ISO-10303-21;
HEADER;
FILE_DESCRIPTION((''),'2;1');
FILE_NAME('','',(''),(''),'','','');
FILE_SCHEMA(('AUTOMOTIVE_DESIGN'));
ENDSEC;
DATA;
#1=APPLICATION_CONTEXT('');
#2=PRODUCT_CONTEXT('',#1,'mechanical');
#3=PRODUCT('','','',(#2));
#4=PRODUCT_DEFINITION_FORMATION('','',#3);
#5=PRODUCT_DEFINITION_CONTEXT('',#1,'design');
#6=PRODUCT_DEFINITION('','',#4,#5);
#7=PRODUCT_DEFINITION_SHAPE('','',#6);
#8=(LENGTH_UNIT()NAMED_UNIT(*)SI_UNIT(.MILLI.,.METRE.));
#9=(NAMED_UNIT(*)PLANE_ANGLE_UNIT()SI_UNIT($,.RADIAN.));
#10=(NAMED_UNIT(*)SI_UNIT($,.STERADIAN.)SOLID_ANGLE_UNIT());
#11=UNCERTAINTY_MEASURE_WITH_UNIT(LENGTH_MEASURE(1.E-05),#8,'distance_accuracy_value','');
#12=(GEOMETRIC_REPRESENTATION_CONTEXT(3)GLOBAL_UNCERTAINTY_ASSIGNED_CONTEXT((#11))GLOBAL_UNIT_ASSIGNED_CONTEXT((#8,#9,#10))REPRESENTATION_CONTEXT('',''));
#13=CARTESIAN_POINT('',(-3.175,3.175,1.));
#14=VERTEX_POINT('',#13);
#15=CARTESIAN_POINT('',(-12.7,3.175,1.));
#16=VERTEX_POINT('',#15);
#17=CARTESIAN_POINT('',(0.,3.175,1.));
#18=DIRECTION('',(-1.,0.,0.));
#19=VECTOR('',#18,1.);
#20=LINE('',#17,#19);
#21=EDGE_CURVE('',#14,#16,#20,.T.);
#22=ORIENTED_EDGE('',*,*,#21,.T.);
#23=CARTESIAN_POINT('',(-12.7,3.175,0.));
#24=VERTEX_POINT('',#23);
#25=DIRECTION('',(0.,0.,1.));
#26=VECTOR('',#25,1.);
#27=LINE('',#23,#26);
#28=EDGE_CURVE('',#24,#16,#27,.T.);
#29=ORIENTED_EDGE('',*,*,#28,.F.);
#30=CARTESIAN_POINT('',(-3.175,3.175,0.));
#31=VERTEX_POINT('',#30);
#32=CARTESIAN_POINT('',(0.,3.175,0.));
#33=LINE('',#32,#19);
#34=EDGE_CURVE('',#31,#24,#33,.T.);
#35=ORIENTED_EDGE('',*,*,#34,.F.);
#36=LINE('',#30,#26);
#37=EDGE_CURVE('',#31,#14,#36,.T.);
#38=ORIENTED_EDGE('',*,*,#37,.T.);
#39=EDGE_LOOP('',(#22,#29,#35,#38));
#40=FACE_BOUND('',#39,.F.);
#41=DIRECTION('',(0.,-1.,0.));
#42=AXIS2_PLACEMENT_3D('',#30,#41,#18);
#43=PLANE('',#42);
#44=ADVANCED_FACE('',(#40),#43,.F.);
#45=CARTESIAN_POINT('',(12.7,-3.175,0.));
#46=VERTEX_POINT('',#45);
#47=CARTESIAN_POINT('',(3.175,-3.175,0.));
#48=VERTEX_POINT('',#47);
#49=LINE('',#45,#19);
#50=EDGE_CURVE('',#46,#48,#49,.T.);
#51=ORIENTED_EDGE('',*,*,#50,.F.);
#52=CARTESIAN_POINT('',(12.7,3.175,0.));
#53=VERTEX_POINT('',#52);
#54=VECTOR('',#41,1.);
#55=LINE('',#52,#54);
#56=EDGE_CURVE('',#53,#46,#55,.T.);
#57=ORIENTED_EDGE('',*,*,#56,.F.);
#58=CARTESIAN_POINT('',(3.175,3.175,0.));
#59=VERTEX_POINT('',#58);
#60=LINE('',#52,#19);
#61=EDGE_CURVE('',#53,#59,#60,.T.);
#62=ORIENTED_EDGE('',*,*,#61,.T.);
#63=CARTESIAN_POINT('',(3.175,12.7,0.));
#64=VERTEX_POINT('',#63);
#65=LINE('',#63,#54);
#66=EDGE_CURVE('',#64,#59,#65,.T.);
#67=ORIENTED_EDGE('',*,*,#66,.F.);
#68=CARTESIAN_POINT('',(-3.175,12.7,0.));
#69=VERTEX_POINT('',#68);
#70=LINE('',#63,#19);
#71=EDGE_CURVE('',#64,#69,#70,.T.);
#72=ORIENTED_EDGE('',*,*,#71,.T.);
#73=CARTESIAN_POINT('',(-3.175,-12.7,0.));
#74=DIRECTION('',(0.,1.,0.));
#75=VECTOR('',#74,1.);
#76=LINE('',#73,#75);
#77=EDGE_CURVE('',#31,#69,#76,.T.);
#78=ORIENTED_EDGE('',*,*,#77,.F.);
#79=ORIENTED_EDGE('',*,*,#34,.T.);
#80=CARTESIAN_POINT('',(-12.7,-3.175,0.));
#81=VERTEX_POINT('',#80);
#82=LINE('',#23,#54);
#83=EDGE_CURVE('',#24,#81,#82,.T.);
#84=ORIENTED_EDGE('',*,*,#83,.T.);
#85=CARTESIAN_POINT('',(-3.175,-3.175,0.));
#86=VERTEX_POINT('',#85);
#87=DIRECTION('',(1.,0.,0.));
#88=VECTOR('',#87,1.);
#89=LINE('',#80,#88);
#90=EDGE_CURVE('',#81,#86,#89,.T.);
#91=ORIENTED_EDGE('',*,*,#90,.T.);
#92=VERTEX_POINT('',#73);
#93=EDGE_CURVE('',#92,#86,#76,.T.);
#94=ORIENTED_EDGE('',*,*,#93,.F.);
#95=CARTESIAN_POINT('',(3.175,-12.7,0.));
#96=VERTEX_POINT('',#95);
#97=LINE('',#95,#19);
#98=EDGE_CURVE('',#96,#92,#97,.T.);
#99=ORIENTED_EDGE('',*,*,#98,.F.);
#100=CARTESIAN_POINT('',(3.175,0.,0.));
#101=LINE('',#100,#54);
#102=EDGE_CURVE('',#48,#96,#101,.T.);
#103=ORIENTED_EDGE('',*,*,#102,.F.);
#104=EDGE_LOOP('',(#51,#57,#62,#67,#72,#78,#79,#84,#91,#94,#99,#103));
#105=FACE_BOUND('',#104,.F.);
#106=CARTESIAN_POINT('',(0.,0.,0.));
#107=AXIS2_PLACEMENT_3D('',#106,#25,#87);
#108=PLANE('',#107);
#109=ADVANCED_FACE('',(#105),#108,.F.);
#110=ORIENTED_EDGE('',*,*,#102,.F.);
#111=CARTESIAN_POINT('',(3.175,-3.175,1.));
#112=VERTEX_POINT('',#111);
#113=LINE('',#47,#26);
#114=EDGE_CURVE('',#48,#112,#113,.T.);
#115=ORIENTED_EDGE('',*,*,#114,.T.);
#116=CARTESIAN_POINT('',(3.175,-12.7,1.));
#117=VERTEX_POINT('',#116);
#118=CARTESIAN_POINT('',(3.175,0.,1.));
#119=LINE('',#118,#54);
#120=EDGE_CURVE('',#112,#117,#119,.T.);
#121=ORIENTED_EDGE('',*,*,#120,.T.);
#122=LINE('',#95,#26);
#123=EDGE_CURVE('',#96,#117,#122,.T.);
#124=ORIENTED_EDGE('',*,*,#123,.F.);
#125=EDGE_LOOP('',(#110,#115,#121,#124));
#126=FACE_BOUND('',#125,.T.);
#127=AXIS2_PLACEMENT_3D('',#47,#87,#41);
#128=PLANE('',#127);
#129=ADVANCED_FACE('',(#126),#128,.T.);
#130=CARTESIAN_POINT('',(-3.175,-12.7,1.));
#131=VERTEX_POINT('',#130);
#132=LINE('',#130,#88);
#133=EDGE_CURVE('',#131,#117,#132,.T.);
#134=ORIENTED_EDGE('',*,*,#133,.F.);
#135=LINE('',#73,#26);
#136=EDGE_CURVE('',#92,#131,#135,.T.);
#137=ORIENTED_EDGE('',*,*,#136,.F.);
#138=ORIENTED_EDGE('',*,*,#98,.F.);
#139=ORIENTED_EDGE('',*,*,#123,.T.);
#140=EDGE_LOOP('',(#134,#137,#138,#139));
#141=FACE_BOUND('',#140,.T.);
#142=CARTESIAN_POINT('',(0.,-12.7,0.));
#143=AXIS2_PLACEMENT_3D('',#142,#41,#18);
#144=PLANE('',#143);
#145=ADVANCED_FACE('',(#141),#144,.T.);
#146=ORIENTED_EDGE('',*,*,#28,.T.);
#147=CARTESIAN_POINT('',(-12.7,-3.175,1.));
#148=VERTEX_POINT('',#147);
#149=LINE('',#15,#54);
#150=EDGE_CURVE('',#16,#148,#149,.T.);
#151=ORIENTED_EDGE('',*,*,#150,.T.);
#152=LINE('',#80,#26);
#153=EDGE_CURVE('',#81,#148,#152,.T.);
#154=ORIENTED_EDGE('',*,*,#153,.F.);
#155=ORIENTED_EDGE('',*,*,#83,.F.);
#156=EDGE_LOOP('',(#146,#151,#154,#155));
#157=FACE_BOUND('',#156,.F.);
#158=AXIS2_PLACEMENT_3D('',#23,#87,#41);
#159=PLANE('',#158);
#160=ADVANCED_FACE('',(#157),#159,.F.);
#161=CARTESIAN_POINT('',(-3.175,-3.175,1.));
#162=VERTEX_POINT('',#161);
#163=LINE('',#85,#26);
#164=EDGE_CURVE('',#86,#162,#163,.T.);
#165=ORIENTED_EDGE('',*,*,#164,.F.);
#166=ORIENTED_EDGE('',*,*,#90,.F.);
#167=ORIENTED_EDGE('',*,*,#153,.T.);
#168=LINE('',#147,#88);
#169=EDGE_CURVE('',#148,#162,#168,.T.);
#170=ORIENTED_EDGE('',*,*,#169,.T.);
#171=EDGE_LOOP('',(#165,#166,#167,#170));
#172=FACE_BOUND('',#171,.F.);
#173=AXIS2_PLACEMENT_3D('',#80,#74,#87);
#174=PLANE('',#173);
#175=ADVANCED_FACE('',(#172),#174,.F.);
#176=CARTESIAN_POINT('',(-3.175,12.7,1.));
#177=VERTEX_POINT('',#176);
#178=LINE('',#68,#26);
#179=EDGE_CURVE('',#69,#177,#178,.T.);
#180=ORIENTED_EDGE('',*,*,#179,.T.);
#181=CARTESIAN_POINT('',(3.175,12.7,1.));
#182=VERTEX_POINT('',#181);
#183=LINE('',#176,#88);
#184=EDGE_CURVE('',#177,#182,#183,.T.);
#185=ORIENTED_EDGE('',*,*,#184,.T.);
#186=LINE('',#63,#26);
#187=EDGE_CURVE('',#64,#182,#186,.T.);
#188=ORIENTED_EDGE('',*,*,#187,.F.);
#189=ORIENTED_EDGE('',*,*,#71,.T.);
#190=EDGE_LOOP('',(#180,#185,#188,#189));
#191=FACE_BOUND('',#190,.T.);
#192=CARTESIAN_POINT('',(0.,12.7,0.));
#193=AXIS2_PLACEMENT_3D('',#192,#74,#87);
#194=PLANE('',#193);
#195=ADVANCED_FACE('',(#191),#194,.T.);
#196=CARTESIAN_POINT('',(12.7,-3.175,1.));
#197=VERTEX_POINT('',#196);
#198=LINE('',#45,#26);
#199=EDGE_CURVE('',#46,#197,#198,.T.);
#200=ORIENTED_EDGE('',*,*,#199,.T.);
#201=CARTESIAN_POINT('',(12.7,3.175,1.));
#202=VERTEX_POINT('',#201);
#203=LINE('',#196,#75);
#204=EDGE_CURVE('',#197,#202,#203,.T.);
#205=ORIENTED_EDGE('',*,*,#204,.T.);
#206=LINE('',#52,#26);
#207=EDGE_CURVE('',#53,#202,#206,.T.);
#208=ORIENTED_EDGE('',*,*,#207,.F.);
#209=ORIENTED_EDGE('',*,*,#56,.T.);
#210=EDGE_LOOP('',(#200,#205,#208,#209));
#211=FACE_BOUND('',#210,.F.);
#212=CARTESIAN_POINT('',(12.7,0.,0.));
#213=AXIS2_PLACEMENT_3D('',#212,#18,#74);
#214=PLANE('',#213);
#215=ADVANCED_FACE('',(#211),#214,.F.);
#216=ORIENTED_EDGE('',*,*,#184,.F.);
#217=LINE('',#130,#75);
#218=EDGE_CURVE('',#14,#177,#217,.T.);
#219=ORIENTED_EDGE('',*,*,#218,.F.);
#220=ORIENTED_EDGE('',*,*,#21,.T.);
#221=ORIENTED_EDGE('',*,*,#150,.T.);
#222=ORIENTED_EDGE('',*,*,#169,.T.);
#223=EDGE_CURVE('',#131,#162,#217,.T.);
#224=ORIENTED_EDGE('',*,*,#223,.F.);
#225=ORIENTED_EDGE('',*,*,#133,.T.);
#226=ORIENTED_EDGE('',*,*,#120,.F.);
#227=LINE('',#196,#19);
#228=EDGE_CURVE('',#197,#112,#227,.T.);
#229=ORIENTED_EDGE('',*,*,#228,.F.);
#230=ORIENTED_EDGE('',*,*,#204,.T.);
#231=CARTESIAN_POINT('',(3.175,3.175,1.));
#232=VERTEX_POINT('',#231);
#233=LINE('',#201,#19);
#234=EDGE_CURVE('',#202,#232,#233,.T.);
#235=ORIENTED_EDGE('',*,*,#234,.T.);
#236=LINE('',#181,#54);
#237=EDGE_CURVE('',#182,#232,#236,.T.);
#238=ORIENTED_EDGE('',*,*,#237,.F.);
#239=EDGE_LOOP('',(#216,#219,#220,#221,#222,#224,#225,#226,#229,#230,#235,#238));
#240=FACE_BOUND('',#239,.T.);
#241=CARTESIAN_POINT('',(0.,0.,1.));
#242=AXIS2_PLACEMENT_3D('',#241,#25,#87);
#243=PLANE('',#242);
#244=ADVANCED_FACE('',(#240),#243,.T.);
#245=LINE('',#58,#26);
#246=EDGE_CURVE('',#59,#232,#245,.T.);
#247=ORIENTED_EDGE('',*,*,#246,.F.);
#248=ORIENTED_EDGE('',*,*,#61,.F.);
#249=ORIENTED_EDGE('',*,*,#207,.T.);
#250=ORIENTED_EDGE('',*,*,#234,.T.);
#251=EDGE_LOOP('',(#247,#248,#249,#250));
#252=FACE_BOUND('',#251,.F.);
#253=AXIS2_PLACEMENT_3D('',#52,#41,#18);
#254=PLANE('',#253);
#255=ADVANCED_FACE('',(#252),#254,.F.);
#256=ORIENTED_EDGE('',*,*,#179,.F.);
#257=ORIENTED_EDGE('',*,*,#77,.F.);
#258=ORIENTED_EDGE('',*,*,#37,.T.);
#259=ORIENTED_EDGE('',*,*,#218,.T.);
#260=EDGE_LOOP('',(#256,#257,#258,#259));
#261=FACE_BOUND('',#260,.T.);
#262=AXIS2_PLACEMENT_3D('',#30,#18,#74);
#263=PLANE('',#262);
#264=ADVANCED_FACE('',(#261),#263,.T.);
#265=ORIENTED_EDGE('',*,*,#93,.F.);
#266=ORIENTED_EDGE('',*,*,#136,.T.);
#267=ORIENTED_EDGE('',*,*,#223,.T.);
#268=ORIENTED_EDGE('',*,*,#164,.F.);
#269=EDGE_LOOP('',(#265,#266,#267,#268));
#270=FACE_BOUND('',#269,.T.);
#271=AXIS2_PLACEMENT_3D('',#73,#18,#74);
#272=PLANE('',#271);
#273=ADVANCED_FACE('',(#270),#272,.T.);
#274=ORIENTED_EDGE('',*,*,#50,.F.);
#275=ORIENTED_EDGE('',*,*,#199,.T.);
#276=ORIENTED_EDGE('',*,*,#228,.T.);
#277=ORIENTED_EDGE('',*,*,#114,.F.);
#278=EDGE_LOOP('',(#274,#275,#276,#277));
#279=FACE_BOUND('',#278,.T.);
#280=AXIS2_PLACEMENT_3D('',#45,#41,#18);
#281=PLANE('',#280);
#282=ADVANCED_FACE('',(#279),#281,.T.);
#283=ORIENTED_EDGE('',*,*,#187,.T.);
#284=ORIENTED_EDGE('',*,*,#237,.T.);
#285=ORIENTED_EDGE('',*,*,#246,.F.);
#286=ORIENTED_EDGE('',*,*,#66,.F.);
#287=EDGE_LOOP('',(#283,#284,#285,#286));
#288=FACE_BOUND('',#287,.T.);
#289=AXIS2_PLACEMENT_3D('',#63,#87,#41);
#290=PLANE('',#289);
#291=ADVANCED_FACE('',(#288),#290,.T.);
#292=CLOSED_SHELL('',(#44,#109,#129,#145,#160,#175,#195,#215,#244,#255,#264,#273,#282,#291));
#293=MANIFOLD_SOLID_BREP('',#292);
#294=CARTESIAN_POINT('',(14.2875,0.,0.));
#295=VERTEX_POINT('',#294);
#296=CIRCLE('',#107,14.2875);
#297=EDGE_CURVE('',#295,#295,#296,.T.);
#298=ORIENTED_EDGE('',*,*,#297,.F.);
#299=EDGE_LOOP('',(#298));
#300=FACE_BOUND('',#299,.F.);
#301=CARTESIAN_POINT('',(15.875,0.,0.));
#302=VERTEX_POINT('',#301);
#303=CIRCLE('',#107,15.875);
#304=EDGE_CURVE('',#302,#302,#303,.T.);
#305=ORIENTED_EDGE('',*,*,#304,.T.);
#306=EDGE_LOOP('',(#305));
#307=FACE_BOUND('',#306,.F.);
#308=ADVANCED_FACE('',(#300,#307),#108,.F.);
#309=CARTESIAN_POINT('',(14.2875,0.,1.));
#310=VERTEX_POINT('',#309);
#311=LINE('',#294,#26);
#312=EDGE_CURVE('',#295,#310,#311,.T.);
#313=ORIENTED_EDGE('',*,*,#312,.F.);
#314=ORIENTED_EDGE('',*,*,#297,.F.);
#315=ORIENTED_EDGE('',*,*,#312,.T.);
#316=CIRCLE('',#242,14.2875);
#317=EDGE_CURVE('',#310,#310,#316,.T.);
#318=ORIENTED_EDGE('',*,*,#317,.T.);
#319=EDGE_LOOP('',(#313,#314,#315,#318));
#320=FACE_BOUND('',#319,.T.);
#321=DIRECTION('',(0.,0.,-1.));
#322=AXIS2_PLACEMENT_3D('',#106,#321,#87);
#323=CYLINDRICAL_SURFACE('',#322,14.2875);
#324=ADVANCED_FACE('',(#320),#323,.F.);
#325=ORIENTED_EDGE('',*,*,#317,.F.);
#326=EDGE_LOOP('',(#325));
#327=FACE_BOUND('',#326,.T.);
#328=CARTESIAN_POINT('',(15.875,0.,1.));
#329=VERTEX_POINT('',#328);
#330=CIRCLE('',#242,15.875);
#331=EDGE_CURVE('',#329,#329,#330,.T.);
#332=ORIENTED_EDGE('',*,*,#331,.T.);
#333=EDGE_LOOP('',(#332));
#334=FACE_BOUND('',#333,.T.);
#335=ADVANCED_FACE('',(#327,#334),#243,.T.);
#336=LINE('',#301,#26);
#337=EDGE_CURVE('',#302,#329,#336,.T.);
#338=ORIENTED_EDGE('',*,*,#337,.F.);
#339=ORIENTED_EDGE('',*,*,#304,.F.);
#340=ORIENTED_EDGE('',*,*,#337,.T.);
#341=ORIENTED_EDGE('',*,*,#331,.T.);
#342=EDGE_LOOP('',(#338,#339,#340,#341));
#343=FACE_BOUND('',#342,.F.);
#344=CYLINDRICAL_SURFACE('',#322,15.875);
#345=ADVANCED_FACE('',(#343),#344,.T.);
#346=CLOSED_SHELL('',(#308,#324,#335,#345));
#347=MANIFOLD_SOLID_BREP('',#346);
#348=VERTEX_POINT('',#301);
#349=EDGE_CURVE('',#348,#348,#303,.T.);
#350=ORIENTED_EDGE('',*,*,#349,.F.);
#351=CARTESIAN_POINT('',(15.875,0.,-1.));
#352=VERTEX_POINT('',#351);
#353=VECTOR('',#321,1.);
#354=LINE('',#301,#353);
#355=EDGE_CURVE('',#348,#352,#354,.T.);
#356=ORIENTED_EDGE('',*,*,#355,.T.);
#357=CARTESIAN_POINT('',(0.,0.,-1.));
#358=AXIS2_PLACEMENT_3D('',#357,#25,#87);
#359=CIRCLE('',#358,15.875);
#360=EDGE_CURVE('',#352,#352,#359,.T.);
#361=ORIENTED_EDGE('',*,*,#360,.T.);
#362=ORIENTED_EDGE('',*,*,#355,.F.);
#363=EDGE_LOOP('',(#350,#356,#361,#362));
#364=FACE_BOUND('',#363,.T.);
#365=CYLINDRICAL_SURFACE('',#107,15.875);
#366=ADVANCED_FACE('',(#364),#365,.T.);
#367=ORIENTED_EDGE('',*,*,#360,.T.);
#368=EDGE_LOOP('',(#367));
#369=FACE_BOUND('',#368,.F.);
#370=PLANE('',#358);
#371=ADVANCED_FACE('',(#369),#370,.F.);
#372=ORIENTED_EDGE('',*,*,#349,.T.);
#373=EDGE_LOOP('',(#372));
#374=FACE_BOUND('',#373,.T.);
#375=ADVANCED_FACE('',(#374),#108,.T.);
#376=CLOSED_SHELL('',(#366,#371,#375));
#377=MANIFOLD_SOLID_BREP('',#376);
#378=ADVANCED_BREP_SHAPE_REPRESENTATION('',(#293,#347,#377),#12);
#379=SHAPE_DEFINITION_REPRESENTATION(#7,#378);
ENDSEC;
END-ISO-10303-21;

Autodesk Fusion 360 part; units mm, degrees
sketch "Sketch1" plane through (0, 0, 0) normal (0, 0, 1) x (1, 0, 0)
  circle A0 centre (0, 0) radius 15.875
  circle A1 centre (0, 0) radius 14.2875
  line L0 (0, 12.7) -> (3.175, 12.7)
  line L1 (3.175, 12.7) -> (3.175, 0)
  line L2 (3.175, 0) -> (0, 0)
  line L3 (0, 0) -> (0, 12.7)
  line L4 (0, 0) -> (3.175, 0)
  line L5 (3.175, 0) -> (3.175, -12.7)
  line L6 (3.175, -12.7) -> (0, -12.7)
  line L7 (0, -12.7) -> (0, 0)
  line L8 (0, -12.7) -> (-3.175, -12.7)
  line L9 (-3.175, -12.7) -> (-3.175, 12.7)
  line L10 (-3.175, 12.7) -> (0, 12.7)
  line L11 (0, 12.7) -> (0, -12.7)
  line L12 (0, 0) -> (12.7, 0)
  line L13 (12.7, 0) -> (12.7, 3.175)
  line L14 (12.7, 3.175) -> (0, 3.175)
  line L15 (0, 3.175) -> (0, 0)
  line L16 (0, 0) -> (12.7, 0)
  line L17 (12.7, 0) -> (12.7, -3.175)
  line L18 (12.7, -3.175) -> (0, -3.175)
  line L19 (0, -3.175) -> (0, 0)
  line L20 (0, 3.175) -> (-12.7, 3.175)
  line L21 (-12.7, 3.175) -> (-12.7, -3.175)
  line L22 (-12.7, -3.175) -> (0, -3.175)
  line L23 (0, -3.175) -> (0, 3.175)
  dimension "d1" = 31.75
  dimension "d2" = 28.575
  dimension "d3" = 3.175
  dimension "d4" = 12.7
  dimension "d5" = 3.175
  dimension "d6" = 12.7
  dimension "d7" = 3.175
  dimension "d8" = 3.175
  dimension "d9" = 12.7
extrude "Extrude1" add sketch "Sketch1" against normal blind 1 contours A0 | A1 | L0 L1 L3 L11 L14 | L3 L9 L10 L11 L20 | L1 L2 L3 L4 L11 L12 L14 L15 L16 L23 | L3 L7 L9 L11 L15 L19 L20 L22 L23 | L1 L12 L13 L14 L16 | L2 L4 L5 L7 L11 L12 L16 L18 L19 L23 | L9 L20 L21 L22 | L5 L12 L16 L17 L18 | L5 L6 L7 L11 L18 | L7 L8 L9 L11 L22 makes body 1 in component "Base"
extrude "Extrude1'" add sketch "Sketch1" along normal blind 1 separate body makes body 2 at (1.0583, 6.35, 0) makes body 3 at (15.2335, -1.4985, 0) in component "Top"
component "Base" placed x (1, 0, 0) y (0, 1, 0) z (0, 0, 1) at (0, 0, 0)
component "Top" placed x (1, 0, 0) y (0, 1, 0) z (0, 0, 1) at (0, 0, 0)
